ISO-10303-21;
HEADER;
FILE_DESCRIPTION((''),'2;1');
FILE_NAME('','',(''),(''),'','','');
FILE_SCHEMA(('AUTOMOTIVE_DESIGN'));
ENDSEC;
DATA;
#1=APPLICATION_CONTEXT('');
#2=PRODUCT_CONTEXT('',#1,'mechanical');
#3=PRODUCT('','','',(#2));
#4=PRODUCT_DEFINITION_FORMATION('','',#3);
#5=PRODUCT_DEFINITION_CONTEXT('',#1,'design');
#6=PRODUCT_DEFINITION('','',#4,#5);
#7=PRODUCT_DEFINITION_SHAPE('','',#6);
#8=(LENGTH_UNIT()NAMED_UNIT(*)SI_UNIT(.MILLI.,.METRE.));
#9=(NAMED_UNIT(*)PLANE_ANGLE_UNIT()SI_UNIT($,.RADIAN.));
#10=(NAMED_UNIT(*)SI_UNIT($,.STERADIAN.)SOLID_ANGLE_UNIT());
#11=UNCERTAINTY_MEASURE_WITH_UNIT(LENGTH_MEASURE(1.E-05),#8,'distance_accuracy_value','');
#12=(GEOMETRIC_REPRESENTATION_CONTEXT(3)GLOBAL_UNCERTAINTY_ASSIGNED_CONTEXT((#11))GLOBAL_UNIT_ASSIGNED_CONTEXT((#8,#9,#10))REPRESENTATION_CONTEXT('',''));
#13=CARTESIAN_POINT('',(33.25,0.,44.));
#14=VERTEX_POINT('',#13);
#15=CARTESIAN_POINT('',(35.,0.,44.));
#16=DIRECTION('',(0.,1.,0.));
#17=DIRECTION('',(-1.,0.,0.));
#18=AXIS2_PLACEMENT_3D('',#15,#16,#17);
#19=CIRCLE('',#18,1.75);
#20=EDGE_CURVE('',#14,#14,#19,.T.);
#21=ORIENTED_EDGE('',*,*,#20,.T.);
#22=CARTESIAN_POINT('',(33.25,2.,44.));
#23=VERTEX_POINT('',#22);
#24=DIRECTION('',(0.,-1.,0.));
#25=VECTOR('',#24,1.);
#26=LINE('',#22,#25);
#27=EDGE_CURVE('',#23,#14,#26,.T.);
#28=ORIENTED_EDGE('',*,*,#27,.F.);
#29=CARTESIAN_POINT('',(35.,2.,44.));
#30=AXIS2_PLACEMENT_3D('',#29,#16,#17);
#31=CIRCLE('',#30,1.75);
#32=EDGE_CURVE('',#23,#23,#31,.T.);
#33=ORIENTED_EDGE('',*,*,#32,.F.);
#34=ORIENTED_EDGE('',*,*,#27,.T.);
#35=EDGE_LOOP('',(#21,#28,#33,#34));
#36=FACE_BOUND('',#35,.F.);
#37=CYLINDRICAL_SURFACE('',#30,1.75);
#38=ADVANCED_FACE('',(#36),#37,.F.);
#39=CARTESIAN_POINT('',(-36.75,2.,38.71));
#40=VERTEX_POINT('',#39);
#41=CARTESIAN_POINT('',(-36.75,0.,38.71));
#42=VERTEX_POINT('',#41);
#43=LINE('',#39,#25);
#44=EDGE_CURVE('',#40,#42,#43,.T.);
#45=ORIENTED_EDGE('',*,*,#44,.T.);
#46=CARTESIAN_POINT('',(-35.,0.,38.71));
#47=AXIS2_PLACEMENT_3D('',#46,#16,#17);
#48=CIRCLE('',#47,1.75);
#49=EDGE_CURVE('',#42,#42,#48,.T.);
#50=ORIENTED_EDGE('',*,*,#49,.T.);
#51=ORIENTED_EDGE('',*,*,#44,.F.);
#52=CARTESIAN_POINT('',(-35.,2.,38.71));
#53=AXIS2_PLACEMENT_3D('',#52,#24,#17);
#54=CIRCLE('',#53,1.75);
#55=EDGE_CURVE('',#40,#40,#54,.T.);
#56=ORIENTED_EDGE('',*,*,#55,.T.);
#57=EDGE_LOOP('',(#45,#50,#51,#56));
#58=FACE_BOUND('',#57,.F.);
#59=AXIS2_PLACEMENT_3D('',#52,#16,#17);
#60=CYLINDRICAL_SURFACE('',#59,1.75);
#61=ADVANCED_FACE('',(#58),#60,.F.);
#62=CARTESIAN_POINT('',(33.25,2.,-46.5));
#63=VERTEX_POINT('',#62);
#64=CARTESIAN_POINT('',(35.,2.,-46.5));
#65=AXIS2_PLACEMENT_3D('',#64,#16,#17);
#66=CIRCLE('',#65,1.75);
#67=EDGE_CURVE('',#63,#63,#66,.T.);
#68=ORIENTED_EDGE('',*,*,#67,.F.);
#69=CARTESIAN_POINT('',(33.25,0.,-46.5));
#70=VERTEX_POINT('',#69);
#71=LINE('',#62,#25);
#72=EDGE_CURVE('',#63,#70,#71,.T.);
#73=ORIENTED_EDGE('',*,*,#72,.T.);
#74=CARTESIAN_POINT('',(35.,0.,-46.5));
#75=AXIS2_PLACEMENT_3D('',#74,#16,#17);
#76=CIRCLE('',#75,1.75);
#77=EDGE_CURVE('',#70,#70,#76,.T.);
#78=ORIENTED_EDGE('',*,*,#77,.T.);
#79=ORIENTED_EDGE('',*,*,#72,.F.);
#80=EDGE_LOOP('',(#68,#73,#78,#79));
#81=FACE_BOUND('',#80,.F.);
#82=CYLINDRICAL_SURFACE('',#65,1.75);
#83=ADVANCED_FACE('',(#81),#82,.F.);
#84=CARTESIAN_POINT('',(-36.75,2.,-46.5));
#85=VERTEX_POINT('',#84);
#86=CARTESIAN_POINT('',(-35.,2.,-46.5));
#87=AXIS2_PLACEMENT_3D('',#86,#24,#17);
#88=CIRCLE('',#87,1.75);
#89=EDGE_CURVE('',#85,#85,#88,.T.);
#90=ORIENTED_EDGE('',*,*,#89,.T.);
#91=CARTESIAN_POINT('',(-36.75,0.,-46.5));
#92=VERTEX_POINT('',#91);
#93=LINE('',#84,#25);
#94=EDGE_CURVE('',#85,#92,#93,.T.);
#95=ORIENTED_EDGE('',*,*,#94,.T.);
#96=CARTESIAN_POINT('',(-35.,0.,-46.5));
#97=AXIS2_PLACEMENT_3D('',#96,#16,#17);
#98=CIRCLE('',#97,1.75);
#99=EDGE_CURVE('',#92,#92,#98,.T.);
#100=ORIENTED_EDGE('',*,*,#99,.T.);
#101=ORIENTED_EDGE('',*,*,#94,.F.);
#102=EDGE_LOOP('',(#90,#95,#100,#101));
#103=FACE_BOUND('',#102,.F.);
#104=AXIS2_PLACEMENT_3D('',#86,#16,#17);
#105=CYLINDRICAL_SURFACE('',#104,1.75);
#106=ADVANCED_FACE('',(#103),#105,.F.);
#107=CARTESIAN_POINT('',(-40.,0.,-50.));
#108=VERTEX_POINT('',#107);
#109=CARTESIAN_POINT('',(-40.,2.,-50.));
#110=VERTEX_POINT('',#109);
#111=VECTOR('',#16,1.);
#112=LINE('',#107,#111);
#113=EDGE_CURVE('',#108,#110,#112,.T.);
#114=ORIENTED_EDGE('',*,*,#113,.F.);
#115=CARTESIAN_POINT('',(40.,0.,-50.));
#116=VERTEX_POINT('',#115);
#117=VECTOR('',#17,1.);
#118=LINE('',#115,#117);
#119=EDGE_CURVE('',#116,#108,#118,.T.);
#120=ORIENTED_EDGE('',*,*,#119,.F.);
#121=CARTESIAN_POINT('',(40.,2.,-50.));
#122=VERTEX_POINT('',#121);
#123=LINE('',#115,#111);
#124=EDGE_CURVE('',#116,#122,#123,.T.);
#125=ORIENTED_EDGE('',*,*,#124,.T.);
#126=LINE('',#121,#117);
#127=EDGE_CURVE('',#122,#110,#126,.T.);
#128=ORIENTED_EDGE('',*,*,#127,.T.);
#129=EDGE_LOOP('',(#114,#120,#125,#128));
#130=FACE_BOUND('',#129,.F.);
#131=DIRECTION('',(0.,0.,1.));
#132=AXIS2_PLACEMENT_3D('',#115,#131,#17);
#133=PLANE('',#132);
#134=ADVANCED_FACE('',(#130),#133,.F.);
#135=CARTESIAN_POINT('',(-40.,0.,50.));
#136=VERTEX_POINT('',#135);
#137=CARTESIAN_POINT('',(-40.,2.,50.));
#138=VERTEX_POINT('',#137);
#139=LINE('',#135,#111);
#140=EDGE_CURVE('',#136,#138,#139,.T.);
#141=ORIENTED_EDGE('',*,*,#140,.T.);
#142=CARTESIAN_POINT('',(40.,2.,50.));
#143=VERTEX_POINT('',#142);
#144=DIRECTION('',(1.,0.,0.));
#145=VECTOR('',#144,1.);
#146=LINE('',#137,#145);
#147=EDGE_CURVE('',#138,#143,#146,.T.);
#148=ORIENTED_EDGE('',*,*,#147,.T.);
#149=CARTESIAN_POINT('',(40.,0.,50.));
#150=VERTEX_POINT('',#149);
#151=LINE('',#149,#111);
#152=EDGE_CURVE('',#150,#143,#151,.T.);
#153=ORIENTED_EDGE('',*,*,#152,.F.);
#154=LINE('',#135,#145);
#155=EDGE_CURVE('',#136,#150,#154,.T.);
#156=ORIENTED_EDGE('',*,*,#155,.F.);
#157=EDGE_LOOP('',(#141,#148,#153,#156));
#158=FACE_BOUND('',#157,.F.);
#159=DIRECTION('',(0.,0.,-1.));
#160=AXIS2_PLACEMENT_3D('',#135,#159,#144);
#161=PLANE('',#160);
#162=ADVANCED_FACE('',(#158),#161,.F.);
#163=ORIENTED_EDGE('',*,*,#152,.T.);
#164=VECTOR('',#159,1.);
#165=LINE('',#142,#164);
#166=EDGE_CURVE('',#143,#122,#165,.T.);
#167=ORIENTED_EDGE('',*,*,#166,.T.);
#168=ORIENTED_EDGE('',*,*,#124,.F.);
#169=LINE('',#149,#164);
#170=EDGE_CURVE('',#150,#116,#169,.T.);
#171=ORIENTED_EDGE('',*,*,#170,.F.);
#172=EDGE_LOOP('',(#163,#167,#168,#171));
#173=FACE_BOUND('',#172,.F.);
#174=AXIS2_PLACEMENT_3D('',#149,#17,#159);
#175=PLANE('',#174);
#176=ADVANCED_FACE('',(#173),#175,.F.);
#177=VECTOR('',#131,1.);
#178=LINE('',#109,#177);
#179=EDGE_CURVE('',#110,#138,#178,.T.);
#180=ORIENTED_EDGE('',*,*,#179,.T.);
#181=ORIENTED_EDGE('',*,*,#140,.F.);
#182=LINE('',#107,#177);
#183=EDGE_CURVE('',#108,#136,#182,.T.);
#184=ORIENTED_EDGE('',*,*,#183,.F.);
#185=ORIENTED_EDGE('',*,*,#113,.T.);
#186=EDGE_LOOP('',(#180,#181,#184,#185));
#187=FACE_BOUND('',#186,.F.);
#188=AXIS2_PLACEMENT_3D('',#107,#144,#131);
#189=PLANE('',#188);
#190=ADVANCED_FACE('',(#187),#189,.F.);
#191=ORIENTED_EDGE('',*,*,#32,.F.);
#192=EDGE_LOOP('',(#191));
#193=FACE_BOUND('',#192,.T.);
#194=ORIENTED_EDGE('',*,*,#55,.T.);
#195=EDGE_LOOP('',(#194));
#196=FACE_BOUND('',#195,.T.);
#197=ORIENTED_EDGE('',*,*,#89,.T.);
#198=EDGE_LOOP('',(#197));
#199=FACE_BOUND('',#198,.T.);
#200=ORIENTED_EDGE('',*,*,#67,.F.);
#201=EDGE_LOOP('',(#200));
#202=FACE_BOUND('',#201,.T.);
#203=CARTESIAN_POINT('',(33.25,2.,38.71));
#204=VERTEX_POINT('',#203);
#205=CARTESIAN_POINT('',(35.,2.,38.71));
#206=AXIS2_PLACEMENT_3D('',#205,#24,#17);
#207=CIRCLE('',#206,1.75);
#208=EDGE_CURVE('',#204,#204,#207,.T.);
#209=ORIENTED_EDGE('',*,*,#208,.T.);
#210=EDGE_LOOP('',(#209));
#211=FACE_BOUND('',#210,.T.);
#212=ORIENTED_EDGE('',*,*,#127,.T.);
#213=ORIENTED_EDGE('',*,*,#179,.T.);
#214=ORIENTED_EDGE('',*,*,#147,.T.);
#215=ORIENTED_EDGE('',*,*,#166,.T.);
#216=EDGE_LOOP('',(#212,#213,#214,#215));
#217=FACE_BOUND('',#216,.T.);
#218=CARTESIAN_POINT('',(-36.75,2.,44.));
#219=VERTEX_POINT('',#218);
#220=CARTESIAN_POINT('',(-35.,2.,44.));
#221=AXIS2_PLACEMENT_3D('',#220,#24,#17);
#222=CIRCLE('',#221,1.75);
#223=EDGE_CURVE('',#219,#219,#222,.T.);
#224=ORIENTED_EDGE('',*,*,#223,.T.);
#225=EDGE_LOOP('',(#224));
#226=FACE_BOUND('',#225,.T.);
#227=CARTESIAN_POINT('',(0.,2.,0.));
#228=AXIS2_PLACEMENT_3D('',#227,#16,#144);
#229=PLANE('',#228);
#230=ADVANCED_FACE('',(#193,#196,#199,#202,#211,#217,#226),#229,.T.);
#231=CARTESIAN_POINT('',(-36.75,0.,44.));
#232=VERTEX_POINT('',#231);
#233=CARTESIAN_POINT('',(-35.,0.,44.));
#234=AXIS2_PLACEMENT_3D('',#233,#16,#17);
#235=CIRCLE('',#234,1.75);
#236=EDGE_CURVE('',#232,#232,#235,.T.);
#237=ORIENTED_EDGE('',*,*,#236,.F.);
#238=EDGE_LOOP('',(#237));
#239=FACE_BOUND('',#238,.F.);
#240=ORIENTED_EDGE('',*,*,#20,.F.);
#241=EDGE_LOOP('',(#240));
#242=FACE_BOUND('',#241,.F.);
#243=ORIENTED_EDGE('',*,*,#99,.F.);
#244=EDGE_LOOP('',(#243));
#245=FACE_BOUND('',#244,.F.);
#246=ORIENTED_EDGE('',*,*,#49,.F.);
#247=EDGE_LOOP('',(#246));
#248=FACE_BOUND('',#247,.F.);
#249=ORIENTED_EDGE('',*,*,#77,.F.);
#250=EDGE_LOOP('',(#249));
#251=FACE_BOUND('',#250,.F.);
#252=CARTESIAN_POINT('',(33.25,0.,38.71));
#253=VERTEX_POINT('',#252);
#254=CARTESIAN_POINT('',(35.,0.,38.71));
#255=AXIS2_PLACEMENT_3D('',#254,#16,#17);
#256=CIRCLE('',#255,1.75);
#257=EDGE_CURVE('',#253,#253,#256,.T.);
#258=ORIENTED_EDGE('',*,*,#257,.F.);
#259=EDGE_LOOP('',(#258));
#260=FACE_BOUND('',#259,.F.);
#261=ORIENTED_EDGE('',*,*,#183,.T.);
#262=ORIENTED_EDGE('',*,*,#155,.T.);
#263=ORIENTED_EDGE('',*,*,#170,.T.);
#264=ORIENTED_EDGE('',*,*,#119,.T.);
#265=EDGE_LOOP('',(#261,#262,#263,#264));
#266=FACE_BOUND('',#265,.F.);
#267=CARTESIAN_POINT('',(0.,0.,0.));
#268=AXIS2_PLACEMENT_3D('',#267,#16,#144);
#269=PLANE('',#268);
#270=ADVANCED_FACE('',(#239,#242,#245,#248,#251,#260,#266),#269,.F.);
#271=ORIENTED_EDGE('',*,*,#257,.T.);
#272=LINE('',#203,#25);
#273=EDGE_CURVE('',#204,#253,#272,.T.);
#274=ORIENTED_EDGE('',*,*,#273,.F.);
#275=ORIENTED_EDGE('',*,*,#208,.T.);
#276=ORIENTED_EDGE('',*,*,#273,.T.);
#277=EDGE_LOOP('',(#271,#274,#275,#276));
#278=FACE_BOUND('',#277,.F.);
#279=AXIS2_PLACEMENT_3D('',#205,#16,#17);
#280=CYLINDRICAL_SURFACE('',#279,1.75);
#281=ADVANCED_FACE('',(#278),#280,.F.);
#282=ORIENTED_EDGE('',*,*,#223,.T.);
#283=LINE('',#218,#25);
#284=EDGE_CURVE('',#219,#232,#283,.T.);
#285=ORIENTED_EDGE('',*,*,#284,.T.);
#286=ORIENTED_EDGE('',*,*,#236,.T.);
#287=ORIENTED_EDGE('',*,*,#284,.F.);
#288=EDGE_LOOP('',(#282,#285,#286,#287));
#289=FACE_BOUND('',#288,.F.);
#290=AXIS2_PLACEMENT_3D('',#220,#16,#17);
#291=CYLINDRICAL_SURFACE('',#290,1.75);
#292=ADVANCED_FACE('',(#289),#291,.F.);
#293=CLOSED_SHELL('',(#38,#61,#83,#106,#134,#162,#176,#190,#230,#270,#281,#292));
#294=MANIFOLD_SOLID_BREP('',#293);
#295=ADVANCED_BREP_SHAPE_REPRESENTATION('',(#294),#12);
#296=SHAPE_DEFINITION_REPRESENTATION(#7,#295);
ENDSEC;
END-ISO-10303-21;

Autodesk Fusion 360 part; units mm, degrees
sketch "スケッチ1" plane through (0, 0, 0) normal (0, 1, 0) x (1, 0, 0)
  line L0 (-40, -50) -> (40, -50)
  line L1 (40, -50) -> (40, 50)
  line L2 (40, 50) -> (-40, 50)
  line L3 (-40, 50) -> (-40, -50)
  line L4 (-40, -50) -> (40, 50) construction
  line L5 (40, -50) -> (-40, 50) construction
  dimension "d1" = 80
  dimension "d2" = 100
extrude "押し出し1" add sketch "スケッチ1" along normal blind 2
sketch "スケッチ2" plane through (0, 2, 0) normal (0, 1, 0) x (-1, 0, 0)
  line L0 (40, -50) -> (40, 50)
  line L1 (40, 50) -> (-40, 50)
  line L2 (-40, 50) -> (-40, -50)
  line L3 (-40, -50) -> (40, -50)
  line L4 (0, -50) -> (0, -46.5)
  line L5 (0, -46.5) -> (35, -46.5)
  line L6 (0, -46.5) -> (-35, -46.5)
  circle A0 centre (35, -46.5) radius 1.75
  circle A1 centre (-35, -46.5) radius 1.75
  line L7 (35, -46.5) -> (35, 44)
  circle A2 centre (35, 44) radius 1.75
  line L8 (35, 44) -> (-35, 44)
  circle A3 centre (-35, 44) radius 1.75
  dimension "d5" = 3.5
  dimension "d6" = 35
  dimension "d7" = 35
  dimension "d8" = 3.5
  dimension "d9" = 3.5
  dimension "d10" = 90.5
  dimension "d11" = 3.5
  dimension "d12" = 70
  dimension "d13" = 3.5
extrude "押し出し2" cut sketch "スケッチ2" against normal blind 5 contours A1 | A3 | L7 A2 L8 | L7 A2 L8 | L5 A0 L7 | L5 A0 L7
sketch "スケッチ3" plane through (0, 2, 0) normal (0, 1, 0) x (-1, 0, 0)
  circle A0 centre (35, -46.5) radius 1.75
  circle A1 centre (35, 44) radius 1.75
  circle A2 centre (-35, -46.5) radius 1.75
  circle A3 centre (-35, 44) radius 1.75
  line L0 (40, -50) -> (40, 50)
  line L1 (40, 50) -> (-40, 50)
  line L2 (-40, 50) -> (-40, -50)
  line L3 (-40, -50) -> (40, -50)
  line L4 (35, 44) -> (35, 38.71)
  line L5 (-35, 44) -> (-35, 38.71)
  circle A4 centre (35, 38.71) radius 1.75
  circle A5 centre (-35, 38.71) radius 1.75
  dimension "d16" = 5.29
  dimension "d17" = 5.29
  dimension "d18" = 3.5
  dimension "d19" = 3.5
extrude "押し出し3" cut sketch "スケッチ3" against normal blind 14 contours A4 | A5
